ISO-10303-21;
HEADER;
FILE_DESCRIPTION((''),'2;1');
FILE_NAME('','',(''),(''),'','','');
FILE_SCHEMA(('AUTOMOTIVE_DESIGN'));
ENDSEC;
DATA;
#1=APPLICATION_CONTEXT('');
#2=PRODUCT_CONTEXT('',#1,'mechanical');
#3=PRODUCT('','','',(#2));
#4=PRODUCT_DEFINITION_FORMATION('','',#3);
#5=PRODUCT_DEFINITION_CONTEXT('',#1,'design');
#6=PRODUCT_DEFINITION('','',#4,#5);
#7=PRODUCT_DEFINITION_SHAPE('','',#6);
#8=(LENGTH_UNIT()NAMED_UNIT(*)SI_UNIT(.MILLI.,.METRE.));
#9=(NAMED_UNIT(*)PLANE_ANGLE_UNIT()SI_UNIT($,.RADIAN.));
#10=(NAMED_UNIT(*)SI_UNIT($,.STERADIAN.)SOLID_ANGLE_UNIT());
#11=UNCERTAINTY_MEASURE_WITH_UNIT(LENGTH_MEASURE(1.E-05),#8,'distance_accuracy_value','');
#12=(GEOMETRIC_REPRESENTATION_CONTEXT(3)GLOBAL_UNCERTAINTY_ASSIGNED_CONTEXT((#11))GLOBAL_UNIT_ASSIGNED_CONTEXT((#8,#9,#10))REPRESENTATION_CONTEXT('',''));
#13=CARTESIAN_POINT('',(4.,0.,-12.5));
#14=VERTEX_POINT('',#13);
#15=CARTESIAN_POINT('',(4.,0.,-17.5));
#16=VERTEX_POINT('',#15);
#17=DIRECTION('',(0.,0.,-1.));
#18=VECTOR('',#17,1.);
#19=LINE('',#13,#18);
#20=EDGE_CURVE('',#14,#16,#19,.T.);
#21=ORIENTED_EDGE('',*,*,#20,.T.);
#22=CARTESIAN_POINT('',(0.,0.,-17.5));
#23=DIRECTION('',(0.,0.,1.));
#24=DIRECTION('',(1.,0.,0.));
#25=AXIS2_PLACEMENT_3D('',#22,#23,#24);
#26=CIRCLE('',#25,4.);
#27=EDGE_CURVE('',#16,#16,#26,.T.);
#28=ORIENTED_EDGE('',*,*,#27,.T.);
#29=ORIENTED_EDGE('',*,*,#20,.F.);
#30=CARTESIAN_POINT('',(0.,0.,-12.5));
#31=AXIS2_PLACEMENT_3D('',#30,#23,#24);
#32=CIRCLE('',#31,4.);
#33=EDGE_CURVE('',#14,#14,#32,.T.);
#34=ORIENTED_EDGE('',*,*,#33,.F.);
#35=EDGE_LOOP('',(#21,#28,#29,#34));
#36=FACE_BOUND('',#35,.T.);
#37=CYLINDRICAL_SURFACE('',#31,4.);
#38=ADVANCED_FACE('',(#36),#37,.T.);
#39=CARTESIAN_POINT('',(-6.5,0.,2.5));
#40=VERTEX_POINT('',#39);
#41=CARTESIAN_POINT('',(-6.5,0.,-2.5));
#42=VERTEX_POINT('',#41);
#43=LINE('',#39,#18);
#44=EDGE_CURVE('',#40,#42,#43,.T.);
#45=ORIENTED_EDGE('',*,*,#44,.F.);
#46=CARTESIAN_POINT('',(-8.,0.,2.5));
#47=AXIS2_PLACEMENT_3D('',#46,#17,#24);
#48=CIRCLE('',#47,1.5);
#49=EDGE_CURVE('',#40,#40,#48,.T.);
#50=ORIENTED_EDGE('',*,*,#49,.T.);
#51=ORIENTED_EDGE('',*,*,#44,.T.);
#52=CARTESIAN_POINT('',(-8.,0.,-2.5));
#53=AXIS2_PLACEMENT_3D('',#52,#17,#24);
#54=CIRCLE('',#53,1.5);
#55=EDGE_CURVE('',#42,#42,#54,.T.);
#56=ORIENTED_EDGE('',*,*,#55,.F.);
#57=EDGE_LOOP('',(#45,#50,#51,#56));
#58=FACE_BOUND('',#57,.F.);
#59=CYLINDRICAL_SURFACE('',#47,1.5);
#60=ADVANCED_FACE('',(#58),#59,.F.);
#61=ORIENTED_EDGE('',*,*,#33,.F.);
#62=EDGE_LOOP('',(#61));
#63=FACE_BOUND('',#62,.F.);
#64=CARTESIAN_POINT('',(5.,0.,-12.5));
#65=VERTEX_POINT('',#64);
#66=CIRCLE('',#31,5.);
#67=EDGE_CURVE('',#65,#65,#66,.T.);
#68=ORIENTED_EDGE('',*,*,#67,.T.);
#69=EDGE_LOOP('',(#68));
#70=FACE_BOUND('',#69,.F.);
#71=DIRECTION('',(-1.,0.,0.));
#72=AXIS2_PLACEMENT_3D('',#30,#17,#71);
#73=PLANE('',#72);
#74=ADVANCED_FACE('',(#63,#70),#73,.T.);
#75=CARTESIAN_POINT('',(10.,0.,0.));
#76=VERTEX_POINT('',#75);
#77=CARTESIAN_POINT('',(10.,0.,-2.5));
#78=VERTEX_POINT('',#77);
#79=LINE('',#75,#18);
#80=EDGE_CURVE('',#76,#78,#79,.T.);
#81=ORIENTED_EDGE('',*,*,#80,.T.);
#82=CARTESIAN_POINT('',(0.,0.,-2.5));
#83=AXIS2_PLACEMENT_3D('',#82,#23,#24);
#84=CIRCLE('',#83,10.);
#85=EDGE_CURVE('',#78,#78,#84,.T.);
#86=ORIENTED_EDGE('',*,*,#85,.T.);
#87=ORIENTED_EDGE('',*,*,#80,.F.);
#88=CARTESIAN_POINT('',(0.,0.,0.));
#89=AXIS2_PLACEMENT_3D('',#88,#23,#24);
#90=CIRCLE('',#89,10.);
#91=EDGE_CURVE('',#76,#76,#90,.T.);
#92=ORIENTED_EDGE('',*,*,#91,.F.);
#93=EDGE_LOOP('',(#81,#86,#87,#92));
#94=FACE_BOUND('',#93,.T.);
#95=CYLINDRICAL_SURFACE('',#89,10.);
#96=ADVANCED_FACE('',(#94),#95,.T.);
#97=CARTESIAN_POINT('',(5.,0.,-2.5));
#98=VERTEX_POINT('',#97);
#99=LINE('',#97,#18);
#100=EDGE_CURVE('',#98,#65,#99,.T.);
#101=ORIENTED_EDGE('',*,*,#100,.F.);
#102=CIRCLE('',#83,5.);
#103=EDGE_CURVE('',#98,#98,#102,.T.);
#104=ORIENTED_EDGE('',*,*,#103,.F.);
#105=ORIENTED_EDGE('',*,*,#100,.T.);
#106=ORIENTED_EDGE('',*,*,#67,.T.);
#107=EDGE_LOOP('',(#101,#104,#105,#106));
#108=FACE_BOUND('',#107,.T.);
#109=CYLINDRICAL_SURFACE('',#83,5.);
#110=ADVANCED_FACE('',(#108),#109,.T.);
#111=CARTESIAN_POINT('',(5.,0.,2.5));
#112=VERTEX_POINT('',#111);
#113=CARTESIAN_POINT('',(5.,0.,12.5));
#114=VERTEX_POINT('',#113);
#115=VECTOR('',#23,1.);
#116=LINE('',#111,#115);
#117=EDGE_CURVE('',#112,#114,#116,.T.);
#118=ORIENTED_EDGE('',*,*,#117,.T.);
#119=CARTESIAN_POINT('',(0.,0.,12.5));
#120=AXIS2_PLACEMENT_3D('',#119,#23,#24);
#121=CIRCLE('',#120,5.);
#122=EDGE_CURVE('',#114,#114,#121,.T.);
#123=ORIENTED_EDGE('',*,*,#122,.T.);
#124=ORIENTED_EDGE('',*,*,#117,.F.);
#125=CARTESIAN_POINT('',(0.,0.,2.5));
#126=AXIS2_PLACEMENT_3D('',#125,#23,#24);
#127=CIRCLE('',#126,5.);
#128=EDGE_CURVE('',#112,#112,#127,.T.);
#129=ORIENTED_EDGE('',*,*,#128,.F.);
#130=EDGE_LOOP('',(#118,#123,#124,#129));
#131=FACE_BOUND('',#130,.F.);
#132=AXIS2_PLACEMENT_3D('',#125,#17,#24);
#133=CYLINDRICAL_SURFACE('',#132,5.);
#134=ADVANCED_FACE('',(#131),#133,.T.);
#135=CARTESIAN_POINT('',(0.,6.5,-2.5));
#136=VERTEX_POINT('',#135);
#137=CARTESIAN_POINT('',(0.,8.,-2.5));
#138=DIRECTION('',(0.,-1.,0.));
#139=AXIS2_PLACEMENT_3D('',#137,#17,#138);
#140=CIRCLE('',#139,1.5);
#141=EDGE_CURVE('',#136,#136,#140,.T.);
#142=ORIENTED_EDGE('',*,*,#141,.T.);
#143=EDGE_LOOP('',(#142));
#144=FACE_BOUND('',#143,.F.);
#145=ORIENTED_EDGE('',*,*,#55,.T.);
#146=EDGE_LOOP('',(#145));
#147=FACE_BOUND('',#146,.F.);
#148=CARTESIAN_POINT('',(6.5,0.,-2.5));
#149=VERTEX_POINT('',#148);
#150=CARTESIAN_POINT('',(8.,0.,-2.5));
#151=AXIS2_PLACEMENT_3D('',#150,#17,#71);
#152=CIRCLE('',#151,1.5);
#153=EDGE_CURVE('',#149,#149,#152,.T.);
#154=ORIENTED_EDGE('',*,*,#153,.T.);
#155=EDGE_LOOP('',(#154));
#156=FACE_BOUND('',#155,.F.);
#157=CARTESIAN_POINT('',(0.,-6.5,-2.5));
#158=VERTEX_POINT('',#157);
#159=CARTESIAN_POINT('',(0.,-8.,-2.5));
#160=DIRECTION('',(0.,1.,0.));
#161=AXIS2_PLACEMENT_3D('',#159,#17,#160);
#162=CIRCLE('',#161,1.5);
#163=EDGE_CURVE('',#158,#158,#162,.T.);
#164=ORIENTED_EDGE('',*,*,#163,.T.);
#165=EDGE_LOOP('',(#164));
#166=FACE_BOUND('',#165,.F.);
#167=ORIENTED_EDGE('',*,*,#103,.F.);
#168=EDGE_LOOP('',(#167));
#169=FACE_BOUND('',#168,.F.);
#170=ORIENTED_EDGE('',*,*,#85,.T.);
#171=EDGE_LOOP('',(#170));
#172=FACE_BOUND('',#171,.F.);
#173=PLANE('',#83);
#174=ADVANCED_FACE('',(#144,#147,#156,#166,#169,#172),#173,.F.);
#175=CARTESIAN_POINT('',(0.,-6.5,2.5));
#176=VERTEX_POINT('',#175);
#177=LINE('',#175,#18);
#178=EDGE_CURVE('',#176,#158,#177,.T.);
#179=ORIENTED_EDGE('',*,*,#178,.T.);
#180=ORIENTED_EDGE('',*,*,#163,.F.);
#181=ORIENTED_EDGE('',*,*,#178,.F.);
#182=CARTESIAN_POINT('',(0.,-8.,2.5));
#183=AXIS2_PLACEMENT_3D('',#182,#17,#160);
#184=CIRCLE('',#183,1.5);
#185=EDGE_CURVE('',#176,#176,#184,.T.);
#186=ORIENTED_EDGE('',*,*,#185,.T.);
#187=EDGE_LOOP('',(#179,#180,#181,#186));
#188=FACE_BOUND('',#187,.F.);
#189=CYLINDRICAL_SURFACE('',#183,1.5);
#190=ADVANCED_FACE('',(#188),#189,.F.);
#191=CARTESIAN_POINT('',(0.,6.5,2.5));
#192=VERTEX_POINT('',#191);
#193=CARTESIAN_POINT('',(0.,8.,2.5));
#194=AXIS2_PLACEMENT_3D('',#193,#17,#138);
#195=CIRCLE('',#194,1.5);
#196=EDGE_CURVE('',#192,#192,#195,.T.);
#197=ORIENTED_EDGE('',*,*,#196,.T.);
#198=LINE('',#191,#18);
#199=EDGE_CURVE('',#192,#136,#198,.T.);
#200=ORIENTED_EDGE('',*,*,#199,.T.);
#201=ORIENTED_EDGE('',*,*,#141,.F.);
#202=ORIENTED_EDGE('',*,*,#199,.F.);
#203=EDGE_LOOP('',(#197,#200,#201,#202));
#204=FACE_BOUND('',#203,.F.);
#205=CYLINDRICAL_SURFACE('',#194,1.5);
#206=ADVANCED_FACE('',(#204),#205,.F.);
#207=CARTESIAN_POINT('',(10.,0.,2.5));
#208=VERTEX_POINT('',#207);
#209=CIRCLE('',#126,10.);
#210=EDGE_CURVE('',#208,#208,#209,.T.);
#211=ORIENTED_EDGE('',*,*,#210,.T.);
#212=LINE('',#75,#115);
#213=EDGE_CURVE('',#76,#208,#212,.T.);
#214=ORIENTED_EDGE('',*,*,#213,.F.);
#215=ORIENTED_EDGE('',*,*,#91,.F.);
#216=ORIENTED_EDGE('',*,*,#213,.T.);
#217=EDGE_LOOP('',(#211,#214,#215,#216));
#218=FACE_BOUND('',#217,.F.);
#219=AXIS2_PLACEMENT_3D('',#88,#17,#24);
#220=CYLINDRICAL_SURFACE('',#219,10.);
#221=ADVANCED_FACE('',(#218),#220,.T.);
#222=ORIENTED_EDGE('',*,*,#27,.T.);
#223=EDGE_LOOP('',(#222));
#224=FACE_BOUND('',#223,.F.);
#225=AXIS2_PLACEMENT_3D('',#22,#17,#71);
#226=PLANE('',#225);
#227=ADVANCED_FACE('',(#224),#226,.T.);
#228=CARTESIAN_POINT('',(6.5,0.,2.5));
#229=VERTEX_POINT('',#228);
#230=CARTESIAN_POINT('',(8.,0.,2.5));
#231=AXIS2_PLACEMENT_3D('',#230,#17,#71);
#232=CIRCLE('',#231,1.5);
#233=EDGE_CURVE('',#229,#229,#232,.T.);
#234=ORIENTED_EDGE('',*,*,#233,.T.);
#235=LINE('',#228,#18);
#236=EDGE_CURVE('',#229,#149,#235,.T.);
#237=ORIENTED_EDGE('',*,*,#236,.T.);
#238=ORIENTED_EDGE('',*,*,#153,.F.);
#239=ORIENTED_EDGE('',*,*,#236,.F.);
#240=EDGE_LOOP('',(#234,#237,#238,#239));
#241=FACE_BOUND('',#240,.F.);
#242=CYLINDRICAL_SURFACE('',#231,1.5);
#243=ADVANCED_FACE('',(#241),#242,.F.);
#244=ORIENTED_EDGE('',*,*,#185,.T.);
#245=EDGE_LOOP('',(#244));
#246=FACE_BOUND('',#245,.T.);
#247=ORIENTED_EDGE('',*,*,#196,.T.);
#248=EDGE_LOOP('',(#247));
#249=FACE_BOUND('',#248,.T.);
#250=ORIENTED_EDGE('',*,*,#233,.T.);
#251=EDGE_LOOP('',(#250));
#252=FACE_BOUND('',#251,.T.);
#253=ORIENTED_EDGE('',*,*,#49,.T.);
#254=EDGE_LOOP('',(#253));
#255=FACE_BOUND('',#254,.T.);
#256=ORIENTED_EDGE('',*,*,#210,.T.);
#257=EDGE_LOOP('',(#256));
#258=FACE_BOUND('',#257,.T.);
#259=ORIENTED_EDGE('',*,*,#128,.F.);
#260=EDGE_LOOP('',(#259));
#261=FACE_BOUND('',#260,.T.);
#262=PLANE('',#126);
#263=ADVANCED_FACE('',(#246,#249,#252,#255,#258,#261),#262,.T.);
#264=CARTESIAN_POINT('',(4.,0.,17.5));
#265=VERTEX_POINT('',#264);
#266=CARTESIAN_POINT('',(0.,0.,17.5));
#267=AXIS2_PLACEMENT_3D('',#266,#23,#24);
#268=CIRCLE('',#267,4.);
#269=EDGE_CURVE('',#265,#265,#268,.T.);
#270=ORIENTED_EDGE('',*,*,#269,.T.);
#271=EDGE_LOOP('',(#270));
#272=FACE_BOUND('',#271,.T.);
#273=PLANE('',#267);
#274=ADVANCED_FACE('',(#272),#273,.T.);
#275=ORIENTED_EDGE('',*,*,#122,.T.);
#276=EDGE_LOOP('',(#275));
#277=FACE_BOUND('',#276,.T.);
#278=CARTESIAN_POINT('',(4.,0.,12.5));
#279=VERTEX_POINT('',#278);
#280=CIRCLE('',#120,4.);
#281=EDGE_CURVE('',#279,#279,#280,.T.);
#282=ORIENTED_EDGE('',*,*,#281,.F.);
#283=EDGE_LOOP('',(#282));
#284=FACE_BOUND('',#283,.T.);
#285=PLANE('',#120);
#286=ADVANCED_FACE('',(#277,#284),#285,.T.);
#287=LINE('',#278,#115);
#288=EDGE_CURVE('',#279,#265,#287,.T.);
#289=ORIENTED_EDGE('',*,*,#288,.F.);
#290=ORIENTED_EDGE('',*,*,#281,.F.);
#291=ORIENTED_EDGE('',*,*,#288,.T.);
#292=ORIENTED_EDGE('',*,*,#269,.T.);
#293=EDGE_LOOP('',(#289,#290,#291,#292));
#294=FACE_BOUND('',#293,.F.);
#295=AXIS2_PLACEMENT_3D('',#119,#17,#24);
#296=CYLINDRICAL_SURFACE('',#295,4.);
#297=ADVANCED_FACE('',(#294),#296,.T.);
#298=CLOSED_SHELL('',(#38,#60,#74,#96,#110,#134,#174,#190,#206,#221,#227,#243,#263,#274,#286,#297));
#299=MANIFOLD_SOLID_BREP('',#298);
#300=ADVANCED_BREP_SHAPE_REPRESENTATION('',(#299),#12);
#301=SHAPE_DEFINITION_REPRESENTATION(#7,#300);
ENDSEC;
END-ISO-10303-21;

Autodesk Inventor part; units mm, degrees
ref_plane "YZ Plane" through (0, 0, 0) normal (1, 0, 0) x (0, 1, 0)
ref_plane "XZ Plane" through (0, 0, 0) normal (0, 1, 0) x (-1, 0, 0)
ref_plane "XY Plane" through (0, 0, 0) normal (0, 0, 1) x (1, 0, 0)
sketch "スケッチ1" plane through (0, 0, 0) normal (0, 0, 1) x (1, 0, 0)
  circle A0 centre (0, 0) radius 10
  dimension "d0" = 20
extrude "押し出し1" add sketch "スケッチ1" along normal mid plane 5
sketch "スケッチ2" plane through (0, 0, 2.5) normal (0, 0, 1) x (1, 0, 0)
  circle A0 centre (0, 0) radius 5
  dimension "d3" = 10
extrude "押し出し2" add sketch "スケッチ2" along normal blind 10
sketch "スケッチ3" plane through (0, 0, 2.5) normal (0, 0, 1) x (1, 0, 0)
  point P0 (0, 0)
  point P1 (0, 8)
  dimension "d6" = 8
hole "穴1" at (0, 8, 2.5) direction (0, 0, -1) diameter 3 end through all
pattern_circular "円形状パターン1" count 4 over 360 about axis through (0, 0, -10) along (0, 0, 1) of "穴1"
sketch "スケッチ4" plane through (0, 0, 12.5) normal (0, 0, 1) x (1, 0, 0)
  circle A0 centre (0, 0) radius 4
  dimension "d19" = 8
extrude "押し出し3" add sketch "スケッチ4" along normal blind 5
mirror "ミラー1" about plane through (0, 0, 0) normal (0, 0, 1) of "押し出し2", "押し出し3"
properties part number "AR20.0_inside-shaft"
